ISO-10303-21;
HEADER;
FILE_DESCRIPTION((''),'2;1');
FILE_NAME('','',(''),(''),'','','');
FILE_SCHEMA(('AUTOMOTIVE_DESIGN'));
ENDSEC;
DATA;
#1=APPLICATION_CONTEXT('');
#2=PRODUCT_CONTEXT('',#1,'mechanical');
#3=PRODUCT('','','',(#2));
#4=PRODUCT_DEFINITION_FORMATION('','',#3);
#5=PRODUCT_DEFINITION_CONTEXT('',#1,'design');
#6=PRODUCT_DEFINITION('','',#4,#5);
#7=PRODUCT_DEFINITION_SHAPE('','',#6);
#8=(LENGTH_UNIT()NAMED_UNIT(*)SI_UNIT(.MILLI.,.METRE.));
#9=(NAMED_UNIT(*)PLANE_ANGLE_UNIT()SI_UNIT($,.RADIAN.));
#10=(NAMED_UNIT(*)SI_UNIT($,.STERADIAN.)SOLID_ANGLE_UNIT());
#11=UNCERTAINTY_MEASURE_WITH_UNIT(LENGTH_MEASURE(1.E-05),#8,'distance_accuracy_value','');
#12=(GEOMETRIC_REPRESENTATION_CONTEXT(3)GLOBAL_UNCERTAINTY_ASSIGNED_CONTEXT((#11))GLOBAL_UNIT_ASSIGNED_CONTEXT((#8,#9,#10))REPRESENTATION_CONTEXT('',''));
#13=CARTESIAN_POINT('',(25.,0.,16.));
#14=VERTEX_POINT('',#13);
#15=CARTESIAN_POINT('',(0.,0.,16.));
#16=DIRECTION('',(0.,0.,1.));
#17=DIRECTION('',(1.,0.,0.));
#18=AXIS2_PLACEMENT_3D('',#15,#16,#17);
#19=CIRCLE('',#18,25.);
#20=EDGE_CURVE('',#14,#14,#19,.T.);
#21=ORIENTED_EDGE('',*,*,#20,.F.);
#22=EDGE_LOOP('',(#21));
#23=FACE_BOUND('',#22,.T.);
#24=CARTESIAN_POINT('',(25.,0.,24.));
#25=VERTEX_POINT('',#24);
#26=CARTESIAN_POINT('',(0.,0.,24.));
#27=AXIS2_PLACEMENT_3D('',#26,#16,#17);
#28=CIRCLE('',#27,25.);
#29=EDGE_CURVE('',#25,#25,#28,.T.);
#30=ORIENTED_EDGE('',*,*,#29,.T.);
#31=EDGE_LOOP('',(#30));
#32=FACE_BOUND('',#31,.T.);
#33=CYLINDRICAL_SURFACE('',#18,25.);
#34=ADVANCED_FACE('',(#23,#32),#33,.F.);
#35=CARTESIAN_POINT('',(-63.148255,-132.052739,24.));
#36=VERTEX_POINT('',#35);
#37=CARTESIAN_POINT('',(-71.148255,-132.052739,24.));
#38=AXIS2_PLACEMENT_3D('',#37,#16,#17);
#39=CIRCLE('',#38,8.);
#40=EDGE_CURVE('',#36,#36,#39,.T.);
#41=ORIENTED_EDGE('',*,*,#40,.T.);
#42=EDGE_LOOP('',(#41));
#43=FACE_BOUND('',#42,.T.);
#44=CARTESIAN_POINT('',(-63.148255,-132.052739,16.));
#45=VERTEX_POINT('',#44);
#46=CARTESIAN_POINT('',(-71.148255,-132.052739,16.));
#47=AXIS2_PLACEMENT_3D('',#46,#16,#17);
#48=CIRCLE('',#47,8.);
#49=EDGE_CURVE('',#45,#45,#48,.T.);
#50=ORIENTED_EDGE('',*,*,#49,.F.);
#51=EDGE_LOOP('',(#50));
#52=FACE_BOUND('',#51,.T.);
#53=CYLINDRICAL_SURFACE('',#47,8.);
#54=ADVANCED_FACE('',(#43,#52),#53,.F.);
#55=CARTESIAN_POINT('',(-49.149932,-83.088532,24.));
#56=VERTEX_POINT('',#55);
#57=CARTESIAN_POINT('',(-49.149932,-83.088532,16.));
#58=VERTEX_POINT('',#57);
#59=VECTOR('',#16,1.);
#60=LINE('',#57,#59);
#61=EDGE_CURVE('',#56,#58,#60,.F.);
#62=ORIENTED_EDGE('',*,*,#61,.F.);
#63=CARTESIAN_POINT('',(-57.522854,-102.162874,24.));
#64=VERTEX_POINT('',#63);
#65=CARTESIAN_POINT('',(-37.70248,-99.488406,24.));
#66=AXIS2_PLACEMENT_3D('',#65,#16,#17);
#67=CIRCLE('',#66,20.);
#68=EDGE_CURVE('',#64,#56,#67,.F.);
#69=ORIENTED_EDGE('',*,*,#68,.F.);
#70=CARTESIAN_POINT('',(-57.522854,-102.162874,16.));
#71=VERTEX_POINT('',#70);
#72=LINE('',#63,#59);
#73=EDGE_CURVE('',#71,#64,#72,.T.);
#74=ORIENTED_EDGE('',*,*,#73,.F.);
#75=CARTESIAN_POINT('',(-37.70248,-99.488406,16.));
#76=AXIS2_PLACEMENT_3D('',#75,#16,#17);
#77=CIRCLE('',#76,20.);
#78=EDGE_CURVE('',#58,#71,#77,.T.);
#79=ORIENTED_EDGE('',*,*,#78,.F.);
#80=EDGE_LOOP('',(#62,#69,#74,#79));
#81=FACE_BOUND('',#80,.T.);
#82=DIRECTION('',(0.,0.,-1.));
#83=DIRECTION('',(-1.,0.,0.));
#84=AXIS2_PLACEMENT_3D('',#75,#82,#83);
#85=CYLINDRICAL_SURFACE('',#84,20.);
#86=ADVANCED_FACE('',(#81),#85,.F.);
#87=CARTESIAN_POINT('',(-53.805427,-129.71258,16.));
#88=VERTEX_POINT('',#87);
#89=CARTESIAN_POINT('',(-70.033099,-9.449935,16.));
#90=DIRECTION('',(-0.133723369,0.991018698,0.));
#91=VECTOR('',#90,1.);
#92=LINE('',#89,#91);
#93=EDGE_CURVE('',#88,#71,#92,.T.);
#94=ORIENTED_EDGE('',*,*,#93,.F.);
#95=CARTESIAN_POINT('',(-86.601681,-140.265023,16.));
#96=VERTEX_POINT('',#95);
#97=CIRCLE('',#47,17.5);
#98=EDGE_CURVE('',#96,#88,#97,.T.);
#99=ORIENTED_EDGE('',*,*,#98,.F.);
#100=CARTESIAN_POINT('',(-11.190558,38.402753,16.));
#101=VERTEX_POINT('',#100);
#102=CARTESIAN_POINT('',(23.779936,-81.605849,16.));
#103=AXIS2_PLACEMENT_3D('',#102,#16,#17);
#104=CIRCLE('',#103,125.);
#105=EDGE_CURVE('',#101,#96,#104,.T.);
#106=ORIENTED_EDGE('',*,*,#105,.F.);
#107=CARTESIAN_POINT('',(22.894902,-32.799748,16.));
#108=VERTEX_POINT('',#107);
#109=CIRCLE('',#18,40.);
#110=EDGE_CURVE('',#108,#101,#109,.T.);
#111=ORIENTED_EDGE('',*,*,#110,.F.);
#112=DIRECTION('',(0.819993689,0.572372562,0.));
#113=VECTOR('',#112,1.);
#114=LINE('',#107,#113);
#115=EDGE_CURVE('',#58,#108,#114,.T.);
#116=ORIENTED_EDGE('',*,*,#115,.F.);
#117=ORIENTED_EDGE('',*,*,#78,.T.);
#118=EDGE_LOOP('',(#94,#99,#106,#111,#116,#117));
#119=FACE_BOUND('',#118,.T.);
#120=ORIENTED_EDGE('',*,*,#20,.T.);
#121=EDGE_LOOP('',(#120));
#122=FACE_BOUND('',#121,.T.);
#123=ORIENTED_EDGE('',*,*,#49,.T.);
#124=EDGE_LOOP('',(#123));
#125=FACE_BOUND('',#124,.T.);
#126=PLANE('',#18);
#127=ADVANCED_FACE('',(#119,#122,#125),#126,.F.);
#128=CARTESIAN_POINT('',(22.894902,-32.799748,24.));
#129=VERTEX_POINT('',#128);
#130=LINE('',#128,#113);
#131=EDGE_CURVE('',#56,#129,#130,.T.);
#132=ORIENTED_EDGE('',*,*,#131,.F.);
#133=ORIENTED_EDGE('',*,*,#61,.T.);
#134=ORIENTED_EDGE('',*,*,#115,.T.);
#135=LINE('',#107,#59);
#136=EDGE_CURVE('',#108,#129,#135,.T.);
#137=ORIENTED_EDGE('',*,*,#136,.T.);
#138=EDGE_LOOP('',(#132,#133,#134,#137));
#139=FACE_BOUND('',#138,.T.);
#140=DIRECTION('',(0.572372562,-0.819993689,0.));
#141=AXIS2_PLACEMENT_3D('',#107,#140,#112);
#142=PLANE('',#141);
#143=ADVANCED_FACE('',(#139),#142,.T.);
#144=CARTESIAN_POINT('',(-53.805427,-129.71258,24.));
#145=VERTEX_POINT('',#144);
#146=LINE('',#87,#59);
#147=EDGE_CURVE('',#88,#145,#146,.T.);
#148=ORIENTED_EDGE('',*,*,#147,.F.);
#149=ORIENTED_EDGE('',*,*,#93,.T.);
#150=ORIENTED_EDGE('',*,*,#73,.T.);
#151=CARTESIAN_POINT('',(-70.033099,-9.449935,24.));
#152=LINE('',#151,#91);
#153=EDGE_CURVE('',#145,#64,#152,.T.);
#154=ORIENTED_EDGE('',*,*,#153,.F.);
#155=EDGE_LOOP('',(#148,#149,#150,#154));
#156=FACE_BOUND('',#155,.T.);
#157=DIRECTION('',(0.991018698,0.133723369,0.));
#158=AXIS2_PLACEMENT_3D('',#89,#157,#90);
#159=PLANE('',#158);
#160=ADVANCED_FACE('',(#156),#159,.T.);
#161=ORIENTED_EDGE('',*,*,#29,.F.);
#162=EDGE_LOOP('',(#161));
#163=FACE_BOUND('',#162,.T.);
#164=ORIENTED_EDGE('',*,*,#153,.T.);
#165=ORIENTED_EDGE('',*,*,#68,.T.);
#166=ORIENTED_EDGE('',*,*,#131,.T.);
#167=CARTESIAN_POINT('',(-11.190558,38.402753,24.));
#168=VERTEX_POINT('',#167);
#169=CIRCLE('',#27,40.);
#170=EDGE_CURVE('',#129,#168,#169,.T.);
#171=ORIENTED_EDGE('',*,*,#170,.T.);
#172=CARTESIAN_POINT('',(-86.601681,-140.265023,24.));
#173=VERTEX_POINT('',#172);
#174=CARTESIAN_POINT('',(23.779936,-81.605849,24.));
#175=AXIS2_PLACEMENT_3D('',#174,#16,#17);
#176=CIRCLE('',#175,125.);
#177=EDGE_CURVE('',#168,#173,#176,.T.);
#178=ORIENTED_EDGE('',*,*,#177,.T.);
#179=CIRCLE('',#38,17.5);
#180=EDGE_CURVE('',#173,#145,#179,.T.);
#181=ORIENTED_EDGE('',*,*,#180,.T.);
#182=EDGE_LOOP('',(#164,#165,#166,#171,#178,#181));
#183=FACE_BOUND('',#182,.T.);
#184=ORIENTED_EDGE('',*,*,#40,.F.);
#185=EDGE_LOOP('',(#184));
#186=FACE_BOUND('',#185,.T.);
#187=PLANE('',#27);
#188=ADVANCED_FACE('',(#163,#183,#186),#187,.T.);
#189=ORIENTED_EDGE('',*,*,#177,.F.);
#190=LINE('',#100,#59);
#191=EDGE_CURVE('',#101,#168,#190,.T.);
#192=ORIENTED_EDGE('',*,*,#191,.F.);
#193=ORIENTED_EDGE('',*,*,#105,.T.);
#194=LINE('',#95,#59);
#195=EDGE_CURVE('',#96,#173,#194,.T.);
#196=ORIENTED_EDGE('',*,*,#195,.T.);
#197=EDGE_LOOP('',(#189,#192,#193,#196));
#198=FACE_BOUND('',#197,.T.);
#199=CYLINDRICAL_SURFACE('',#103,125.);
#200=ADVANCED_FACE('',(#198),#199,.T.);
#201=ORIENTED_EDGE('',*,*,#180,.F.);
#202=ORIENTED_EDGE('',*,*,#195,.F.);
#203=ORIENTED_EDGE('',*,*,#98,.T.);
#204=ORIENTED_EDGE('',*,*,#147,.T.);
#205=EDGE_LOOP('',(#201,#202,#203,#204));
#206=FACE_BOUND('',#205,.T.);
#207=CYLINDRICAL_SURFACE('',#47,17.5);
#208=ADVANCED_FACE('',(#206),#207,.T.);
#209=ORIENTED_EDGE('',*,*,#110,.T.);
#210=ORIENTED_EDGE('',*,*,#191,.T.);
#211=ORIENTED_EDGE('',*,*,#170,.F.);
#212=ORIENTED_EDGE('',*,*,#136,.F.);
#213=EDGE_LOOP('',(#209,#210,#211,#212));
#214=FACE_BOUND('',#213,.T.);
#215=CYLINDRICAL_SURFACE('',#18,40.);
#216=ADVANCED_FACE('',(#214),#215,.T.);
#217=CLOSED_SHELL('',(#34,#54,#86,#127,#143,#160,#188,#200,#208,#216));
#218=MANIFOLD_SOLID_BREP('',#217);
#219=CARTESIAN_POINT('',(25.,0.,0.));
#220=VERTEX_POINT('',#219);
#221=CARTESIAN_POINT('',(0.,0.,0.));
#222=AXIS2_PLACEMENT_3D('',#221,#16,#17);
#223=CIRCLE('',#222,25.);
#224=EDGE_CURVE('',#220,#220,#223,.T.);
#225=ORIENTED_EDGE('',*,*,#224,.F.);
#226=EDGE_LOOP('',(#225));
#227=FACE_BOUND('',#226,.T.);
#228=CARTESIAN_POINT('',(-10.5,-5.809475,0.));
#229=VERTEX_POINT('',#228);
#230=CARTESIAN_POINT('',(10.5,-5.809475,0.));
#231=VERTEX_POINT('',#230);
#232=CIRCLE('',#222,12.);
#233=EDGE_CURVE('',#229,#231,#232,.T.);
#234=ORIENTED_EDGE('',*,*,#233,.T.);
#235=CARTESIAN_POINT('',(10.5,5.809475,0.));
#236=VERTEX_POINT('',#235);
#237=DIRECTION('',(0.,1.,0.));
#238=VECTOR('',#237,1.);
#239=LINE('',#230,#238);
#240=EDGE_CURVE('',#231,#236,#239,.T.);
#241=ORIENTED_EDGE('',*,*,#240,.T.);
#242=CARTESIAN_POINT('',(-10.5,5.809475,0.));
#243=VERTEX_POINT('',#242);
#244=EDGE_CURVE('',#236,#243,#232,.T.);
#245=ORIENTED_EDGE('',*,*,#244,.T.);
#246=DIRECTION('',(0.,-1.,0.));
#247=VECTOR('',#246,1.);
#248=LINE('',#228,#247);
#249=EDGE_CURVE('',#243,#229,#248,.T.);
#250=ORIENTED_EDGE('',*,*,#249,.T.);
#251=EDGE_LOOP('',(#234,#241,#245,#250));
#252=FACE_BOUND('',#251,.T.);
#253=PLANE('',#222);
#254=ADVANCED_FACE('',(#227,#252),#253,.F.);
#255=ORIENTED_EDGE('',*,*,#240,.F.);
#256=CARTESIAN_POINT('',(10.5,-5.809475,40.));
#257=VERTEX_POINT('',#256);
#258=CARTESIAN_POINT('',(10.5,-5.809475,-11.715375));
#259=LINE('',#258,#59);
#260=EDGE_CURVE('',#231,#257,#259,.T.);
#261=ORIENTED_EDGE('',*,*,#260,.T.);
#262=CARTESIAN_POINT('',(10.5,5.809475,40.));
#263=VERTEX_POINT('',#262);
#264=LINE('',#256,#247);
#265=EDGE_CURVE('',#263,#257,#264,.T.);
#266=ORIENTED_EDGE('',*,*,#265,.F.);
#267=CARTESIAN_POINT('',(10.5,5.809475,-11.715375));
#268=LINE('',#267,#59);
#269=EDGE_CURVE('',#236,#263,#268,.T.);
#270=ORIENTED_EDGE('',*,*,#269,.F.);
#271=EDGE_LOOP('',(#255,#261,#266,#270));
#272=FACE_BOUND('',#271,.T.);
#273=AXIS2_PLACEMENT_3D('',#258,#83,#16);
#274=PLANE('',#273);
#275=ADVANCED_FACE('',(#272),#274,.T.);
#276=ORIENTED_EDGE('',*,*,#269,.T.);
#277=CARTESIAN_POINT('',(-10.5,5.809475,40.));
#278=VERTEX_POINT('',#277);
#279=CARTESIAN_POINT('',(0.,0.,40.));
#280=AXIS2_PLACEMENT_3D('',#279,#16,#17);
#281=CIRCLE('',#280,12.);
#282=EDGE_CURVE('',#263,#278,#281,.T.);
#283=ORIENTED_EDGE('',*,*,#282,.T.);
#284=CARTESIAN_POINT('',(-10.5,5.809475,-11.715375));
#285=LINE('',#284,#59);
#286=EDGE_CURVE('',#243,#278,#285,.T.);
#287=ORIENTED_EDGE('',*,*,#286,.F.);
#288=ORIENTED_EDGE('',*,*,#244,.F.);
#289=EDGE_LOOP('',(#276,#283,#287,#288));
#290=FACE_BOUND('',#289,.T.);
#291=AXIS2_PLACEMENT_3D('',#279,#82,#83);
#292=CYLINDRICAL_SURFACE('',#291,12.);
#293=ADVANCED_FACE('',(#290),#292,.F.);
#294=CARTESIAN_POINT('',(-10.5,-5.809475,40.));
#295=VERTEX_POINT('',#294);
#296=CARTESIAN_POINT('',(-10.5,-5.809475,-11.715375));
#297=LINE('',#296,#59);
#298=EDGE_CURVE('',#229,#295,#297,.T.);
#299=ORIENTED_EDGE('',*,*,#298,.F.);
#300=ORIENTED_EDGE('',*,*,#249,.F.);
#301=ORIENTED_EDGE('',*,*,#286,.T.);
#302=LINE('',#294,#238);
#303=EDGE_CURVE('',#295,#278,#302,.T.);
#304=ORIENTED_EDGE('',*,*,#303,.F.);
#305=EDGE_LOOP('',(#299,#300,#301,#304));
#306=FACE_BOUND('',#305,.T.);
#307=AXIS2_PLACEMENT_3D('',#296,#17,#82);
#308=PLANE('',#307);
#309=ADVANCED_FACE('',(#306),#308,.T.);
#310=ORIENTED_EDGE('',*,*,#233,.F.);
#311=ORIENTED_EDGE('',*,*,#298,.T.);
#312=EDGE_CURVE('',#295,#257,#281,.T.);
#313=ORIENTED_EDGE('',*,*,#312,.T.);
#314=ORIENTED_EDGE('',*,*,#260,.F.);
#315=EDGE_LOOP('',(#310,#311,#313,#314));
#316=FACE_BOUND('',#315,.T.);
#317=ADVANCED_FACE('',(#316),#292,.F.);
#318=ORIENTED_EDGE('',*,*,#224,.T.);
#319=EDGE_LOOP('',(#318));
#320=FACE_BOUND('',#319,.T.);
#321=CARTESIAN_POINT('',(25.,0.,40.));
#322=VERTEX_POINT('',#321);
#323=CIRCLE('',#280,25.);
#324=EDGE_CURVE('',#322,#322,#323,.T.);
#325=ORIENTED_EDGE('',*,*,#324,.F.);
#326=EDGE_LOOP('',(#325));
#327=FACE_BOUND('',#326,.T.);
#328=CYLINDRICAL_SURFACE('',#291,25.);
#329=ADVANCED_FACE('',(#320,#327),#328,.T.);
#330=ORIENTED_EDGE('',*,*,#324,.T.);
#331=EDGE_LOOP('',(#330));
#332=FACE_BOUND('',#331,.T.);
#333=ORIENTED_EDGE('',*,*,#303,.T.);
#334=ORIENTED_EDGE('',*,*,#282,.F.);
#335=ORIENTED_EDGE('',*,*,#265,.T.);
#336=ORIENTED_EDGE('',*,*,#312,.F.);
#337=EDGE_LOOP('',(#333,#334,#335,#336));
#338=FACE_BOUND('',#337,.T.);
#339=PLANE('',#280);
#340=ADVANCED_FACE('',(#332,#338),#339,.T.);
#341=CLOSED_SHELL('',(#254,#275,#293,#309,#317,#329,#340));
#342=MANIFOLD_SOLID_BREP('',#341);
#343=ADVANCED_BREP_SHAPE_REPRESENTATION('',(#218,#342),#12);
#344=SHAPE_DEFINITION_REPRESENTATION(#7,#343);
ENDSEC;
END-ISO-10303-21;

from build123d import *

# Parameters (mm, degrees)
SKETCH1_R           = 25
SKETCH1_R_2         = 12
BOSS_EXTRUDE1_DEPTH = 40
SKETCH3_R           = 25
SKETCH3_R_2         = 8
BOSS_EXTRUDE2_DEPTH = 8
FILLET1_R           = 20
BOSS_EXTRUDE3_START = -40
BOSS_EXTRUDE3_DEPTH = 40


with BuildPart() as part:
    # Sketch1 → Boss-Extrude1 (new body)
    with BuildSketch(Plane.XY):
        Circle(SKETCH1_R)
        Circle(SKETCH1_R_2, mode=Mode.SUBTRACT)
    extrude(amount=BOSS_EXTRUDE1_DEPTH)

    # Sketch4 → Boss-Extrude3 (add)
    with BuildSketch(Plane.XY.offset(40).offset(BOSS_EXTRUDE3_START)):
        with BuildLine():
            Line((-10.5, -5.809475019), (-10.5, 5.809475019))
            ThreePointArc((-10.5, 5.809475019), (-12, 0), (-10.5, -5.809475019))
        make_face()
        with BuildLine():
            Line((10.5, -5.809475019), (10.5, 5.809475019))
            ThreePointArc((10.5, 5.809475019), (12, 0), (10.5, -5.809475019))
        make_face()
    extrude(amount=BOSS_EXTRUDE3_DEPTH)


with BuildPart() as body_2:
    # Sketch3 → Boss-Extrude2 (new body)
    with BuildSketch(Plane.XY.offset(40)):
        with BuildLine():
            Line((-53.805427475, -129.712579959), (-59.154362217, -90.071832021))
            Line((-59.154362217, -90.071832021), (22.894902471, -32.799747573))
            ThreePointArc((22.894902471, -32.799747573), (36.079037262, 17.271452465), (-11.190557993, 38.402752659))
            ThreePointArc((-11.190557993, 38.402752659), (-91.382352121, -32.998777327), (-86.601681047, -140.265023248))
            ThreePointArc((-86.601681047, -140.265023248), (-65.78812655, -148.711641222), (-53.805427475, -129.712579959))
        make_face()
        Circle(SKETCH3_R, mode=Mode.SUBTRACT)
        with Locations((-71.148254698, -132.052738909)):
            Circle(SKETCH3_R_2, mode=Mode.SUBTRACT)
    extrude(amount=-BOSS_EXTRUDE2_DEPTH)

    # Fillet1
    fillet1_edges = [body_2.edges().sort_by_distance(p)[0] for p in [
        (-59.154362217, -90.071832021, 36),
    ]]
    fillet(fillet1_edges, radius=FILLET1_R)


with BuildPart() as body_2_1:
    # Body-Move/Copy1: moved
    add(body_2.part.moved(Location((0, 0, -16))))


solid = Compound([part.part, body_2_1.part])
